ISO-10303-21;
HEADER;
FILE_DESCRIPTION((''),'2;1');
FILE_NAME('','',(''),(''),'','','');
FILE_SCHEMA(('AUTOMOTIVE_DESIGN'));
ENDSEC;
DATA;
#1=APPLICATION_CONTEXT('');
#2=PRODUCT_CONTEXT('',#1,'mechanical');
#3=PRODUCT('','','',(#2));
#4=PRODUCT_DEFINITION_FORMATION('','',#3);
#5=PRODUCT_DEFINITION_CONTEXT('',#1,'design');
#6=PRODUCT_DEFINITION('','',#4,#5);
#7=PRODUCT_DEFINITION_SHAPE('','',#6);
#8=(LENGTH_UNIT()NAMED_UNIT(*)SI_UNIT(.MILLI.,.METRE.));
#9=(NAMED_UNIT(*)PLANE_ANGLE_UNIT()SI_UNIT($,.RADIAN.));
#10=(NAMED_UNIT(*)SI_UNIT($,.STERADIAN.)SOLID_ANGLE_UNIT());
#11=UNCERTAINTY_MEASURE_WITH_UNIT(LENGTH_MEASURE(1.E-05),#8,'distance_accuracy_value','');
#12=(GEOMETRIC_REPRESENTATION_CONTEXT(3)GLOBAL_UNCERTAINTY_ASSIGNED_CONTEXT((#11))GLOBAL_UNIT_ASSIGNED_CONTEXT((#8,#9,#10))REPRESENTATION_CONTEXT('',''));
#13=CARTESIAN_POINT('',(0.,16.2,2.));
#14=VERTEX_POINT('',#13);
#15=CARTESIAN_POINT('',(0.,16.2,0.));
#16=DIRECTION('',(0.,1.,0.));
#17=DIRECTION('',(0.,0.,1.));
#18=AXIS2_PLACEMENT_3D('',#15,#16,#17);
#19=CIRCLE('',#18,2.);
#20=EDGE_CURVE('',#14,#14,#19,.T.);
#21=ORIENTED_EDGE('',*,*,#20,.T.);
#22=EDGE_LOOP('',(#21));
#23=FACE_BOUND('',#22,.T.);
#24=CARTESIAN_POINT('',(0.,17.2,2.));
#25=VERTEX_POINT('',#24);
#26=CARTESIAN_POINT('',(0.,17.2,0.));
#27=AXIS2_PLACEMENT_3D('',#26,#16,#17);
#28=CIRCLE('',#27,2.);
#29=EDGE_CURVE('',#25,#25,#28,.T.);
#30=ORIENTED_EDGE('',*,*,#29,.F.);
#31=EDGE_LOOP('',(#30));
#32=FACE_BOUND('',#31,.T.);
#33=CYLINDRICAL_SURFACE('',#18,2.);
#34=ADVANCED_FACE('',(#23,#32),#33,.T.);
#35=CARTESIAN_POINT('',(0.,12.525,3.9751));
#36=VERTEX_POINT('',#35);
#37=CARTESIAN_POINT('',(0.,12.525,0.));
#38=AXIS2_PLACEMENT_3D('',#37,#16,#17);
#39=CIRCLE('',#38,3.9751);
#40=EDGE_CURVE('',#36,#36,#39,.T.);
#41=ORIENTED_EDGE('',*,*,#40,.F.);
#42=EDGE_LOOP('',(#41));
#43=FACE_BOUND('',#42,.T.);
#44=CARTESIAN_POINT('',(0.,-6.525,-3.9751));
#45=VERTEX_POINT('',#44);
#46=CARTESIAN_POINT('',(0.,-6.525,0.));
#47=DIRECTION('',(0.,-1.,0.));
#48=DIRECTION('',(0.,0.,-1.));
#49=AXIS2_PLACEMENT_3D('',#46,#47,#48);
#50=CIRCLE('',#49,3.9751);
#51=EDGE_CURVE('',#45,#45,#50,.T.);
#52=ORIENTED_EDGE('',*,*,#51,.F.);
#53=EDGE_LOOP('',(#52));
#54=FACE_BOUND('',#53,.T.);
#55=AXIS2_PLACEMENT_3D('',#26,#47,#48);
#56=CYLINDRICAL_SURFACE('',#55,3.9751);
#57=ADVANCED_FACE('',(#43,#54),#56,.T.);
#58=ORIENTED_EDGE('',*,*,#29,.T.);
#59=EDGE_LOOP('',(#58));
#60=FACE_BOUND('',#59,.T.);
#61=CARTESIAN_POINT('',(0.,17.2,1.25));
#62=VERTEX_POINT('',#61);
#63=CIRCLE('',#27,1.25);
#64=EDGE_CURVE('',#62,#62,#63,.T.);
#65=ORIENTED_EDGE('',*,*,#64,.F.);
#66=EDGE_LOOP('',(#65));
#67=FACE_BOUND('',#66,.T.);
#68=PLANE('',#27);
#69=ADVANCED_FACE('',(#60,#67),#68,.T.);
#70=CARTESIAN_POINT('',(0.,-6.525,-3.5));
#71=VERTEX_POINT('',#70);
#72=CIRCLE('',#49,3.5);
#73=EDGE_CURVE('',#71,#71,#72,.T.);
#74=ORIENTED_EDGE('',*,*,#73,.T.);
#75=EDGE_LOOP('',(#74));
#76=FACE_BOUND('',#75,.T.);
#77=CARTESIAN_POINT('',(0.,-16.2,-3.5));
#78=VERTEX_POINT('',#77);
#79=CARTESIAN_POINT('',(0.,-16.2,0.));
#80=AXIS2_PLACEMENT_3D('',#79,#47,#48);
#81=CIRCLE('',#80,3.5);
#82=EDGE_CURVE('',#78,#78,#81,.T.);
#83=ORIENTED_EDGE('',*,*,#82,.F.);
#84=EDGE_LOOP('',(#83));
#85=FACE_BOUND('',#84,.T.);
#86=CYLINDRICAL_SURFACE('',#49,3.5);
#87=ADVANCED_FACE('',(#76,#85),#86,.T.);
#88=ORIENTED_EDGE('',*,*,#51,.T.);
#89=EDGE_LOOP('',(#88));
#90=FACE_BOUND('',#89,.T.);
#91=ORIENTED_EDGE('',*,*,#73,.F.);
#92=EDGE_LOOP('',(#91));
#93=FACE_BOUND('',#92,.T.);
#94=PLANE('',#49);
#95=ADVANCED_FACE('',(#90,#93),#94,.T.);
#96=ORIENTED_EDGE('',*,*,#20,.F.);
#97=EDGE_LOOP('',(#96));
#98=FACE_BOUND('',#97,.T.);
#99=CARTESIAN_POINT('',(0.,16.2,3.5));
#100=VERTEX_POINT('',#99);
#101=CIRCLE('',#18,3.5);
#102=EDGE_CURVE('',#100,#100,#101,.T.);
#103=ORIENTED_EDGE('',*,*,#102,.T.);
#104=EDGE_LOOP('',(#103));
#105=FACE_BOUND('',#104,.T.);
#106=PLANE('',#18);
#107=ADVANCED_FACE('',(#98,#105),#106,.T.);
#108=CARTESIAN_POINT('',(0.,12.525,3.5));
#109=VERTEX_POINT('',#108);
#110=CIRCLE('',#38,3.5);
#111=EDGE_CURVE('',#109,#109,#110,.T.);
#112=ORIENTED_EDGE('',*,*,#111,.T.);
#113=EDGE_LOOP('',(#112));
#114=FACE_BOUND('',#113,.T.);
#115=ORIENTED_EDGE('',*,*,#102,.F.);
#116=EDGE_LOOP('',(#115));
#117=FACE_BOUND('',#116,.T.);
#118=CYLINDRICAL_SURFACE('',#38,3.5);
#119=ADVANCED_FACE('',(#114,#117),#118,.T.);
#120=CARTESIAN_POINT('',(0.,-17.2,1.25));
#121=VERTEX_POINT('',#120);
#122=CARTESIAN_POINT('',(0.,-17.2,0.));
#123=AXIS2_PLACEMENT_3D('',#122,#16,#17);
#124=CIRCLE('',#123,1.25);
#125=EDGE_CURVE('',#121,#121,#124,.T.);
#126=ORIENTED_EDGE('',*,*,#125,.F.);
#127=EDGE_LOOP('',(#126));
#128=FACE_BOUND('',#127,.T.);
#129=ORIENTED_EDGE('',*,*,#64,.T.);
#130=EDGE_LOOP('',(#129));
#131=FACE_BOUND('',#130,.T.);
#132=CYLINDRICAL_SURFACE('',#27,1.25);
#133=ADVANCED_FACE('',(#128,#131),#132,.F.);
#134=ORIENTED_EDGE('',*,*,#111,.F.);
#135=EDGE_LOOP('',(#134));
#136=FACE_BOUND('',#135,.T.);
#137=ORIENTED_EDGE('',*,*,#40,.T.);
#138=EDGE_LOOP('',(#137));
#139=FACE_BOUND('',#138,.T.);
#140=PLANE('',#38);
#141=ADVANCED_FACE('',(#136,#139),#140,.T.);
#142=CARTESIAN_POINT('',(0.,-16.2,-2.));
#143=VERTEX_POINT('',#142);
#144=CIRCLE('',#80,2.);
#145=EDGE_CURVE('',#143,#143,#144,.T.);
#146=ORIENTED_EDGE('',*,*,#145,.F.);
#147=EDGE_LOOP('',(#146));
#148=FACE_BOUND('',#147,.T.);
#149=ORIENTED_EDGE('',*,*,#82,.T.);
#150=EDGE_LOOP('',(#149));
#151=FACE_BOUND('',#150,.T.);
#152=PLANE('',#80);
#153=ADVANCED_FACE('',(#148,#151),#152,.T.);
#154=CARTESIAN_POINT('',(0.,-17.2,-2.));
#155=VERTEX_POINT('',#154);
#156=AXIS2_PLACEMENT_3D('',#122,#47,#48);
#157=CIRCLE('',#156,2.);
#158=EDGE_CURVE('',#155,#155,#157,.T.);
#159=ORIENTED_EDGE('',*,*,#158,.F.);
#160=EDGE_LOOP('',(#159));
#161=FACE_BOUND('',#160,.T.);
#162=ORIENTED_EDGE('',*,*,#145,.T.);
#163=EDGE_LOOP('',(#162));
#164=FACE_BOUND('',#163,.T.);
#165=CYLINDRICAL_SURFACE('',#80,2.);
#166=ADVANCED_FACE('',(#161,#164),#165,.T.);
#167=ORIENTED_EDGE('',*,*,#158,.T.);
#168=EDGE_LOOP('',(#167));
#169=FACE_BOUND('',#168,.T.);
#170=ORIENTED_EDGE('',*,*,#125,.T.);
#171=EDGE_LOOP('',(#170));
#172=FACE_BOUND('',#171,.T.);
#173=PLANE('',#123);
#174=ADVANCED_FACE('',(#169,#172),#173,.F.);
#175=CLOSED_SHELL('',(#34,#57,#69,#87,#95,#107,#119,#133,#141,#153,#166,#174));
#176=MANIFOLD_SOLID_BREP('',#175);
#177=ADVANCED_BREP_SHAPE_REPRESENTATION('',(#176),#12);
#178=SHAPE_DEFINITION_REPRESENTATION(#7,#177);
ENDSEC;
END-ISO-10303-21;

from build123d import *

# Parameters (mm, degrees)
SKETCH2_R             = 3.9751
BOSS_EXTRUDE1_DEPTH   = 17.2
M3X0_5_TAPPED_HOLE1_D = 2.5
SKETCH5_R             = 3.9751
SKETCH5_R_2           = 3.5
CUT_EXTRUDE1_DEPTH    = 4.675
SKETCH6_R             = 3.5
SKETCH6_R_2           = 2
CUT_EXTRUDE2_DEPTH    = 1
SKETCH7_R             = 3.9751
SKETCH7_R_2           = 3.5
CUT_EXTRUDE3_DEPTH    = 10.675
SKETCH8_R             = 3.5
SKETCH8_R_2           = 2
CUT_EXTRUDE4_DEPTH    = 1


with BuildPart() as part:
    # Sketch2 → Boss-Extrude1 (new body, symmetric)
    with BuildSketch(Plane(origin=(0, 0, 0), x_dir=(1, 0, 0), z_dir=(0, 1, 0))):
        Circle(SKETCH2_R)
    extrude(amount=BOSS_EXTRUDE1_DEPTH, both=True)

    # M3x0.5 Tapped Hole1 (through all)
    with Locations(Plane(origin=(0, 17.2, 0), x_dir=(1, 0, 0), z_dir=(0, 1, 0))):
        with Locations((0, 0)):
            Hole(M3X0_5_TAPPED_HOLE1_D / 2)

    # Sketch5 → Cut-Extrude1 (cut)
    with BuildSketch(Plane(origin=(0, 17.2, 0), x_dir=(1, 0, 0), z_dir=(0, 1, 0))):
        Circle(SKETCH5_R)
        Circle(SKETCH5_R_2, mode=Mode.SUBTRACT)
    extrude(amount=-CUT_EXTRUDE1_DEPTH, mode=Mode.SUBTRACT)

    # Sketch6 → Cut-Extrude2 (cut)
    with BuildSketch(Plane(origin=(0, 17.2, 0), x_dir=(1, 0, 0), z_dir=(0, 1, 0))):
        Circle(SKETCH6_R)
        Circle(SKETCH6_R_2, mode=Mode.SUBTRACT)
    extrude(amount=-CUT_EXTRUDE2_DEPTH, mode=Mode.SUBTRACT)

    # Sketch7 → Cut-Extrude3 (cut)
    with BuildSketch(Plane.XZ.offset(17.2)):
        Circle(SKETCH7_R)
        Circle(SKETCH7_R_2, mode=Mode.SUBTRACT)
    extrude(amount=-CUT_EXTRUDE3_DEPTH, mode=Mode.SUBTRACT)

    # Sketch8 → Cut-Extrude4 (cut)
    with BuildSketch(Plane.XZ.offset(17.2)):
        Circle(SKETCH8_R)
        Circle(SKETCH8_R_2, mode=Mode.SUBTRACT)
    extrude(amount=-CUT_EXTRUDE4_DEPTH, mode=Mode.SUBTRACT)


solid = part.part
